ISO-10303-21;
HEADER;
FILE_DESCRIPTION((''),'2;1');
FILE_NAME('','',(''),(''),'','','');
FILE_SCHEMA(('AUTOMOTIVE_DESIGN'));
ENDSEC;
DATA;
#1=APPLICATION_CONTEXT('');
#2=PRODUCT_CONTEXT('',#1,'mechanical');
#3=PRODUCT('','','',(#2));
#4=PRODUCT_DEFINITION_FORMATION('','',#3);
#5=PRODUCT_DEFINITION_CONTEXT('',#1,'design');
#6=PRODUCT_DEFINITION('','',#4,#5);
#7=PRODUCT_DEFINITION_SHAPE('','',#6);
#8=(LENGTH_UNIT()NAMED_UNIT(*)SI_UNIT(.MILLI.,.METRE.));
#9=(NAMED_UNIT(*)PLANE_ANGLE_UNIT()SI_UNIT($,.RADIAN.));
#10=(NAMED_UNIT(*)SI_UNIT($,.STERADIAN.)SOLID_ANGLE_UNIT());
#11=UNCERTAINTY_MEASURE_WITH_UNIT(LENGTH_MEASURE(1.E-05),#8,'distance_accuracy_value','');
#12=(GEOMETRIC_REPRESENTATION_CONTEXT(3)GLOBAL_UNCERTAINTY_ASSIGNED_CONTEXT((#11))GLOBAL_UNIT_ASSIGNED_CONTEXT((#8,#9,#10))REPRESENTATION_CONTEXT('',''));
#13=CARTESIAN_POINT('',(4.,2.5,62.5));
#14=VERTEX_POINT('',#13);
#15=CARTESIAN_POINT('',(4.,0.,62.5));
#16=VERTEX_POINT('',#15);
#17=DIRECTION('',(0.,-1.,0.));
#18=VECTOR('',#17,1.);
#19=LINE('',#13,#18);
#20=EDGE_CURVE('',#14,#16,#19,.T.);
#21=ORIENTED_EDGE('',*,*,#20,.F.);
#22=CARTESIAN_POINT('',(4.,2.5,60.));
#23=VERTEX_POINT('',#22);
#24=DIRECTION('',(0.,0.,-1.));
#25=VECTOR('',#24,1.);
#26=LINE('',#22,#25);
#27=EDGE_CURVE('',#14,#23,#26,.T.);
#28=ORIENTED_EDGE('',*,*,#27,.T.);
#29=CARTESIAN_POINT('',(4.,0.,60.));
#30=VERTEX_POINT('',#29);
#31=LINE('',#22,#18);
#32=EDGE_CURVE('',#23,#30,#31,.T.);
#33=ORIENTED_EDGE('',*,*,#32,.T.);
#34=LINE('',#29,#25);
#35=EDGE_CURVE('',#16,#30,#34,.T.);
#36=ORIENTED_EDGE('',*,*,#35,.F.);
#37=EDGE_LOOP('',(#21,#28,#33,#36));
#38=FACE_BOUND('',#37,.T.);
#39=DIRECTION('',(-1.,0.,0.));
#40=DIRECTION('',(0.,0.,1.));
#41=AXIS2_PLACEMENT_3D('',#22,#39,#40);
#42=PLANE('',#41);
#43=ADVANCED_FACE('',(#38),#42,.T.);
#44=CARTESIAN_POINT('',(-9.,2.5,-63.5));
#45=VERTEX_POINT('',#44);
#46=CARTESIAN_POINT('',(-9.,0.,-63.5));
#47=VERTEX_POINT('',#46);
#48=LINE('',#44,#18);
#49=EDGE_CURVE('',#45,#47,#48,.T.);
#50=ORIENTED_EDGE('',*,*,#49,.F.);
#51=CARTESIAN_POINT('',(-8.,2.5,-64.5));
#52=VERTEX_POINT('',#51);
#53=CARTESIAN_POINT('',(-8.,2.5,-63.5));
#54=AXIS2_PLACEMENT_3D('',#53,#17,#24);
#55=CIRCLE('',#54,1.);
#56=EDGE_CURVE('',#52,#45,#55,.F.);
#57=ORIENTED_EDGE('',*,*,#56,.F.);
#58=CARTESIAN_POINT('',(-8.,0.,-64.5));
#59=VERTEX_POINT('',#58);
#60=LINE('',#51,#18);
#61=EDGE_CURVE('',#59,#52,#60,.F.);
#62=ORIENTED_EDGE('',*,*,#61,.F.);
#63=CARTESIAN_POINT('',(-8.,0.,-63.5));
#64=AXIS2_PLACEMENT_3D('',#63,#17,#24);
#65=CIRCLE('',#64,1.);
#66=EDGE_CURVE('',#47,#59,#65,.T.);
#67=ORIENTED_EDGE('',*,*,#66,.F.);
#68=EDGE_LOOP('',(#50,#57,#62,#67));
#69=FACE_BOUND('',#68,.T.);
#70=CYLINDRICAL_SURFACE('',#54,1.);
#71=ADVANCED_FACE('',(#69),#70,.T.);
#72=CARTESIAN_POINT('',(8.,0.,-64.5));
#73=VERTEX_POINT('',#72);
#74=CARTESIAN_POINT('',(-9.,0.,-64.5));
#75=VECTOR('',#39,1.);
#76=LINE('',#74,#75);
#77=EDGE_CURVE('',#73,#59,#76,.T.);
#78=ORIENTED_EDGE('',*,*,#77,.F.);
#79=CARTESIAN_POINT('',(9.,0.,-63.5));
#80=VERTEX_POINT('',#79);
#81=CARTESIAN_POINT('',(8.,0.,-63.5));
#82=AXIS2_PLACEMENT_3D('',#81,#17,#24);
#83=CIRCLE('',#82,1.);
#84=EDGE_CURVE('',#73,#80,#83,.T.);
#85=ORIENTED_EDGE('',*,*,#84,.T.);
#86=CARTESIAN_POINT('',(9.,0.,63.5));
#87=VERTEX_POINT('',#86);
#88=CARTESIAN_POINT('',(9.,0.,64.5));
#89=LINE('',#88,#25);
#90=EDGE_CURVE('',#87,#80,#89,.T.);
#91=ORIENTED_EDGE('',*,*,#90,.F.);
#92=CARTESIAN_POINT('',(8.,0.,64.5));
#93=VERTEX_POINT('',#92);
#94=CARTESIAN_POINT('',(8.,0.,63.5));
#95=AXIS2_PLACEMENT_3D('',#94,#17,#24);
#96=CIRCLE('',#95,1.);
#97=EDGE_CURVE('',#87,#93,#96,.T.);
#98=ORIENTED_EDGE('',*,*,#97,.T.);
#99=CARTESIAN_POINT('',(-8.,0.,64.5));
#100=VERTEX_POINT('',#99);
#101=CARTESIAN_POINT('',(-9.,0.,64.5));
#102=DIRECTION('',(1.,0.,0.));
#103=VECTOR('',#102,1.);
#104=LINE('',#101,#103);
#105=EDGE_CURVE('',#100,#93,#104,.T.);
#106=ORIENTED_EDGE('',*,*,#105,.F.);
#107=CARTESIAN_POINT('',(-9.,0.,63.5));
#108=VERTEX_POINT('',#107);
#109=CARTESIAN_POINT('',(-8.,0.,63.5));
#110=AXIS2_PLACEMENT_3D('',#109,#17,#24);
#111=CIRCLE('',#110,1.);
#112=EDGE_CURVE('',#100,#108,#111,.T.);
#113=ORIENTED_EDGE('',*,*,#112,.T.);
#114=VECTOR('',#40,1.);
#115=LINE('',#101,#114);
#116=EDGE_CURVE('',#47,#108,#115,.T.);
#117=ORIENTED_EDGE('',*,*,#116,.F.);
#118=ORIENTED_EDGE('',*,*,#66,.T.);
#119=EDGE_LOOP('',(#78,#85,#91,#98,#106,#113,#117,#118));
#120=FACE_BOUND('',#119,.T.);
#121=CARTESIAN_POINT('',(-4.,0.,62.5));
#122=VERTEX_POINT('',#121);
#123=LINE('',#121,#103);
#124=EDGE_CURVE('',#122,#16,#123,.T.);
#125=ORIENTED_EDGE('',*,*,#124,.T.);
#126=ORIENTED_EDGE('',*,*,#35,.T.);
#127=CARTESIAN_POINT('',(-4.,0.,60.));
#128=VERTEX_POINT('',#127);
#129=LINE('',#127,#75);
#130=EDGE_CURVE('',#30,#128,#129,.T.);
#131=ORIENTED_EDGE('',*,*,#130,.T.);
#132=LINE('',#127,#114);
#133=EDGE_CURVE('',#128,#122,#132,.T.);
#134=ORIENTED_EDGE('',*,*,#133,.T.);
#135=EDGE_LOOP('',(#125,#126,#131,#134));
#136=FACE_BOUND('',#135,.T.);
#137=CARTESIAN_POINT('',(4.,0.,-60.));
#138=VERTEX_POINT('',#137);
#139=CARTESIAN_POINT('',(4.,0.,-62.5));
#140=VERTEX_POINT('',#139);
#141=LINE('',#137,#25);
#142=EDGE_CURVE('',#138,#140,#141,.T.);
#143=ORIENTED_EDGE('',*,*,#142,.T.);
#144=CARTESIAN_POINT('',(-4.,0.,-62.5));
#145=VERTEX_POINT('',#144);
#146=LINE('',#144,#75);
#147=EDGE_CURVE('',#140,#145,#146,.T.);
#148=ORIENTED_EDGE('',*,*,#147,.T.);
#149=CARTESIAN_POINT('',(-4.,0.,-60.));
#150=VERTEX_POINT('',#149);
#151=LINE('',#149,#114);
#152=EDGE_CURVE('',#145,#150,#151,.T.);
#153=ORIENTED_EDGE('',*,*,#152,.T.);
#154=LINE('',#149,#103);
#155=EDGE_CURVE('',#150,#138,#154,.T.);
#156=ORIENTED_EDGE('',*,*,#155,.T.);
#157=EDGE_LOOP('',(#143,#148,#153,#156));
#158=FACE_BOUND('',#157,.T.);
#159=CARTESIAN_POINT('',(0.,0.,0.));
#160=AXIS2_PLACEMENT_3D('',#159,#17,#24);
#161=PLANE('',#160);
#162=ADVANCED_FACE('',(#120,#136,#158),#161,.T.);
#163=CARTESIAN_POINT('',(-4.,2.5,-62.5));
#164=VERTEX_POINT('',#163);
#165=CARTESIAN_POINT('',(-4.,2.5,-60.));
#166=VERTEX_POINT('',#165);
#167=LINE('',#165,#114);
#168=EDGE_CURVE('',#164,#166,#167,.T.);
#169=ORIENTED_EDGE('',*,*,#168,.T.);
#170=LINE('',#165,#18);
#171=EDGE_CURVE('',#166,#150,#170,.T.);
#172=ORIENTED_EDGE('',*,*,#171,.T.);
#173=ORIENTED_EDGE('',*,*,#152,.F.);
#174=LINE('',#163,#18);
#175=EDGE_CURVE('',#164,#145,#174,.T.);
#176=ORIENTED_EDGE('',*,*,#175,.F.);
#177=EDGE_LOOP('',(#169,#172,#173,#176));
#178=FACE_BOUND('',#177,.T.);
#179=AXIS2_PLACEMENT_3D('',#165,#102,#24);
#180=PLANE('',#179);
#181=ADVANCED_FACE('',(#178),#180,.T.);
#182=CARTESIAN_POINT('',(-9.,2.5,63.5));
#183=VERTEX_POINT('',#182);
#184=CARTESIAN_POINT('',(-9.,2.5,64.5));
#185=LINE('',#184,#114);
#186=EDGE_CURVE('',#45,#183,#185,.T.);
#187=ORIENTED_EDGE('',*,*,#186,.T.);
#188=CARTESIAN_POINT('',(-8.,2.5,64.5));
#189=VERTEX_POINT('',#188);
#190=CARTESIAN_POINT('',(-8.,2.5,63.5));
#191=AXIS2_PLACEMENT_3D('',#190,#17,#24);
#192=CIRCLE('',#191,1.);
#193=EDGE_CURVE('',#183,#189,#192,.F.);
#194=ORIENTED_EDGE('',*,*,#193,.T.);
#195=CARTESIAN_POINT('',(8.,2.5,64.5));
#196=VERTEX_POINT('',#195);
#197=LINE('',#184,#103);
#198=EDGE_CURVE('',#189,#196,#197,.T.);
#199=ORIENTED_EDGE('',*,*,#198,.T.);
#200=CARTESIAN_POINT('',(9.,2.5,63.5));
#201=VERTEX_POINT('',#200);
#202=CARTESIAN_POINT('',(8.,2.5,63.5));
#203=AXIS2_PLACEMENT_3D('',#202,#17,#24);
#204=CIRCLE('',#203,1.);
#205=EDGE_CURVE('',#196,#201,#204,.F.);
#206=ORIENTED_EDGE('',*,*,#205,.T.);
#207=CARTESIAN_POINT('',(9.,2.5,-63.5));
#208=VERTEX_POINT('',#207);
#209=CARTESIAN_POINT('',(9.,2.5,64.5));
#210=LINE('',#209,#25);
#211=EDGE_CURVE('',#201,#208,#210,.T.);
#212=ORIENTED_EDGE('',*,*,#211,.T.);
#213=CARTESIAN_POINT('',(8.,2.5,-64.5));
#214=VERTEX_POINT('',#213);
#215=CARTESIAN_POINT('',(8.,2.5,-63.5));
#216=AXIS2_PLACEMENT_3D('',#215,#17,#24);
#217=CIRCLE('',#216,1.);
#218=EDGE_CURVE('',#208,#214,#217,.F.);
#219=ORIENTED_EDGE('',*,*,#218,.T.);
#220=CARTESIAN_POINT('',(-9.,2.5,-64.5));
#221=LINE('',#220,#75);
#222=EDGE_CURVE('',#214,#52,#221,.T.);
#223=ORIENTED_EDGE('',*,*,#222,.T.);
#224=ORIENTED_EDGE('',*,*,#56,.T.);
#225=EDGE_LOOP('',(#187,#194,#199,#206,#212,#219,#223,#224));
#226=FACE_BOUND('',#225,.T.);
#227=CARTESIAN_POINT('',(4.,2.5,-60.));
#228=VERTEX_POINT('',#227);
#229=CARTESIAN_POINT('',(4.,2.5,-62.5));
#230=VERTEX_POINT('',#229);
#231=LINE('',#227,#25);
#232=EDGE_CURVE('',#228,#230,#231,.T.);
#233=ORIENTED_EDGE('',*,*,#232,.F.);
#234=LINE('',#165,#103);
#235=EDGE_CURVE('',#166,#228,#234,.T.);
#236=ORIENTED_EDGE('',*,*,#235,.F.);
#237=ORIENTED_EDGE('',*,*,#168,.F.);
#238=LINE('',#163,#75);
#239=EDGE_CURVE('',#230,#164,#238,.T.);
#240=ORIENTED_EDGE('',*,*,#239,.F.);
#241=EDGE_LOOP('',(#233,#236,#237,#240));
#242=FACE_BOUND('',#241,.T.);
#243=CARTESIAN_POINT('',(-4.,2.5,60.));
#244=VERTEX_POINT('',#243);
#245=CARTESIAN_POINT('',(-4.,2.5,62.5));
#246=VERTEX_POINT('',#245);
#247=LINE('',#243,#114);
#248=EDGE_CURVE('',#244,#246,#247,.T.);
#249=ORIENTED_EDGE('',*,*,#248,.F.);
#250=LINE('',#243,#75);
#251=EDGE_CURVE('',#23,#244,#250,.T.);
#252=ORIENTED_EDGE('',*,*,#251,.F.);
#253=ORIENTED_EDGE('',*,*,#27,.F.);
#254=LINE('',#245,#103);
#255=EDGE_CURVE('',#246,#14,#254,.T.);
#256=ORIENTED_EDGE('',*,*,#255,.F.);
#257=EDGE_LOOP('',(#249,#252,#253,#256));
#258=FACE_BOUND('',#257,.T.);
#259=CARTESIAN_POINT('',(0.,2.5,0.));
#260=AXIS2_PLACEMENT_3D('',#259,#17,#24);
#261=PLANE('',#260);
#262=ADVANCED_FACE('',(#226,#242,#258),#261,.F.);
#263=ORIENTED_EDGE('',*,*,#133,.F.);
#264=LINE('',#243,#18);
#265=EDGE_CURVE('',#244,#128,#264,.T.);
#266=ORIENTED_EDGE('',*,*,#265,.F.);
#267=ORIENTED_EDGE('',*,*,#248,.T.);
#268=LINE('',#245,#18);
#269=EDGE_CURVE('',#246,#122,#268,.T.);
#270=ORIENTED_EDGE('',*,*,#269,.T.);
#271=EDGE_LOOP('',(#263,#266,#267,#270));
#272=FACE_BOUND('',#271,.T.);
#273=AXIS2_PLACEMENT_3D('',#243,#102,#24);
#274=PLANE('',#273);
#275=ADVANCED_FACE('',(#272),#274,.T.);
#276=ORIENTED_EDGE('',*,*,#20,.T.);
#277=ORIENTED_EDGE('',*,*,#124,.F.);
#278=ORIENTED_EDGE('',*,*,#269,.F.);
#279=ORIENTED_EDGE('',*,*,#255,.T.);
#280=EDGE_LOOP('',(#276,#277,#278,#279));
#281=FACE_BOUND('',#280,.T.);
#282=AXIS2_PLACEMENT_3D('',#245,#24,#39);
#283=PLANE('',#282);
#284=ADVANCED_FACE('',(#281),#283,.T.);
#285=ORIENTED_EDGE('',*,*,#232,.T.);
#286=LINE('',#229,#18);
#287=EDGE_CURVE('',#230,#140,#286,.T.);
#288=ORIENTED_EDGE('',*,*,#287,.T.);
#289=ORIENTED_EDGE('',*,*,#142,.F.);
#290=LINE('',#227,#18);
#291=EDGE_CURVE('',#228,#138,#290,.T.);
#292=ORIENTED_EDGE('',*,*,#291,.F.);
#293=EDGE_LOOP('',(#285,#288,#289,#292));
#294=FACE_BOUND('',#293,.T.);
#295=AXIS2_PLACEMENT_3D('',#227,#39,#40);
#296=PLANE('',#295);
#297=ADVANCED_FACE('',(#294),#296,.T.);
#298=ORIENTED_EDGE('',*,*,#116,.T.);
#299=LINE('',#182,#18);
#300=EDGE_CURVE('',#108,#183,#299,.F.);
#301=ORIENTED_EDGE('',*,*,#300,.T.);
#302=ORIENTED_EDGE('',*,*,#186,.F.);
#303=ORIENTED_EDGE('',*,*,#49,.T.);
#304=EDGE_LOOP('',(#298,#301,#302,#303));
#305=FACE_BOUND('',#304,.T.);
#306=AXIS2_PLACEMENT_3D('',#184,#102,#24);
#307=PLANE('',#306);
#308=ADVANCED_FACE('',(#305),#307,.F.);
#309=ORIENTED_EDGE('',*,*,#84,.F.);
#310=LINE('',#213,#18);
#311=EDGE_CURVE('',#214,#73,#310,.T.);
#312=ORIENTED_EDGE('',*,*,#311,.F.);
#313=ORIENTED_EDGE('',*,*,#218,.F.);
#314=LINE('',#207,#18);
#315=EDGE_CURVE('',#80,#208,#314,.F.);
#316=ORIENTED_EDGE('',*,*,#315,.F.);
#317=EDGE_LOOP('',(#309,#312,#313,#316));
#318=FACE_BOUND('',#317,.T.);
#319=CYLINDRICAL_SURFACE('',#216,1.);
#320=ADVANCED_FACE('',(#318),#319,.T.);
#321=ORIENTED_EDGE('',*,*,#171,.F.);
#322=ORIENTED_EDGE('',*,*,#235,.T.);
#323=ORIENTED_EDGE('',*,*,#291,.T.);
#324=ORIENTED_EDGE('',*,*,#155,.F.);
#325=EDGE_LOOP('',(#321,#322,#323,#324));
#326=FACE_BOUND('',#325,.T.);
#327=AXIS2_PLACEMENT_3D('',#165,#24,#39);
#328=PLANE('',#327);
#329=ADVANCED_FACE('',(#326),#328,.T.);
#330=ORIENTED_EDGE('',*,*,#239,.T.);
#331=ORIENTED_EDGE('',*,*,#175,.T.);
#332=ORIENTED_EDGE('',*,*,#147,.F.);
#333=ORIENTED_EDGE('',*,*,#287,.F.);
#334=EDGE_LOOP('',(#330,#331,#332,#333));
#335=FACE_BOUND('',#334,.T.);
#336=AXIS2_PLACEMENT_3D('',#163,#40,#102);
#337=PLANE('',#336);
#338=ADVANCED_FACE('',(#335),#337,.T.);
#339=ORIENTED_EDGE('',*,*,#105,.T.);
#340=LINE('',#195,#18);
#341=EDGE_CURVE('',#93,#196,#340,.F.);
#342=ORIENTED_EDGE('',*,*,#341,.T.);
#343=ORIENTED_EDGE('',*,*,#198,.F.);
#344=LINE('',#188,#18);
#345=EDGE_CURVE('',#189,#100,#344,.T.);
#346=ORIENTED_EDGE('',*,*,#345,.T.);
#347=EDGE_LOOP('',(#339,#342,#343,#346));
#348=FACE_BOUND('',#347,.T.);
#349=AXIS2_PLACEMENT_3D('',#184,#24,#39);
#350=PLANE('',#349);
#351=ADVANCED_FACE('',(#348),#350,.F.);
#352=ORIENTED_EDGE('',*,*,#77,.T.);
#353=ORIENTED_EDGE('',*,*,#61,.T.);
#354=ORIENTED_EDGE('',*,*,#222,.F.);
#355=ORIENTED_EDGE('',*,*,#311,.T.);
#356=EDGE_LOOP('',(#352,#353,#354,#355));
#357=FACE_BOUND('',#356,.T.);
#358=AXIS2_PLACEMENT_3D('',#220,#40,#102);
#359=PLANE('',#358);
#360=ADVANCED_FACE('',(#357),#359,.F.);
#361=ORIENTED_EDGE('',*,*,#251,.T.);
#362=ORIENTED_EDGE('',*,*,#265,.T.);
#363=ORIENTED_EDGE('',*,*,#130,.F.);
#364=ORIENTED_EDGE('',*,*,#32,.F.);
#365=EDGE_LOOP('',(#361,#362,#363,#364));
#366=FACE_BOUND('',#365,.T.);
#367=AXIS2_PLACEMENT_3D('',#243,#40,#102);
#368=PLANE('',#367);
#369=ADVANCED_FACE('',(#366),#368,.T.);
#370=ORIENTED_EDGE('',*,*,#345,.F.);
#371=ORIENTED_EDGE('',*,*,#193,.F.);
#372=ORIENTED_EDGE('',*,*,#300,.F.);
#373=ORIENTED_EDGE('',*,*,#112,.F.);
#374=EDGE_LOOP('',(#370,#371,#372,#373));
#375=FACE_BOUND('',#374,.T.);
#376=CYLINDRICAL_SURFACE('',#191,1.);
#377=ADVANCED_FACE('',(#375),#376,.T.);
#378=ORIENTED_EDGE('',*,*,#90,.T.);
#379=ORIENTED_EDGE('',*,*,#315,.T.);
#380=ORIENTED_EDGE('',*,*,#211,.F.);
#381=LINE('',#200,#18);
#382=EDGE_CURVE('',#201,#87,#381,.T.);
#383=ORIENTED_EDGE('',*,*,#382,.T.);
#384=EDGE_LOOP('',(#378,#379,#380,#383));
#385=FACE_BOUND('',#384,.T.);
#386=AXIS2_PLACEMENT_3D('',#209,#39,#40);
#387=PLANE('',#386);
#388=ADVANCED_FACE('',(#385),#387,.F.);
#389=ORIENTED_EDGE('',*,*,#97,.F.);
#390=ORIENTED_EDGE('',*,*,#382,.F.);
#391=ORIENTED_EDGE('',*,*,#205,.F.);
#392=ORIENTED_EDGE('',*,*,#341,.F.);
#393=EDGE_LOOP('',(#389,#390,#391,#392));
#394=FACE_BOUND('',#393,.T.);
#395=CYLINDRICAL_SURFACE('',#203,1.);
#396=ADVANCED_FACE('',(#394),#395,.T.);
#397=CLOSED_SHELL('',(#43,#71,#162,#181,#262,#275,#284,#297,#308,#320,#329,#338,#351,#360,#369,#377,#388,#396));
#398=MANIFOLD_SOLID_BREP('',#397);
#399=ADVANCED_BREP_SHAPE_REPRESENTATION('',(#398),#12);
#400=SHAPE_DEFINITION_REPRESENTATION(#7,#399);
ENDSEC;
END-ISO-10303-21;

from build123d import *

# Parameters (mm, degrees)
SKETCH1_W           = 18
SKETCH1_H           = 129
SKETCH1_W_2         = 8
SKETCH1_H_2         = 2.5
BOSS_EXTRUDE1_DEPTH = 2.5
FILLET1_R           = 1


with BuildPart() as part:
    # Sketch1 → Boss-Extrude1 (new body)
    with BuildSketch(Plane(origin=(0, 0, 0), x_dir=(1, 0, 0), z_dir=(0, 1, 0))):
        Rectangle(SKETCH1_W, SKETCH1_H)
        with Locations((0, 61.25)):
            Rectangle(SKETCH1_W_2, SKETCH1_H_2, mode=Mode.SUBTRACT)
        with Locations((0, -61.25)):
            Rectangle(SKETCH1_W_2, SKETCH1_H_2, mode=Mode.SUBTRACT)
    extrude(amount=BOSS_EXTRUDE1_DEPTH)

    # Fillet1
    fillet1_edges = [part.edges().sort_by_distance(p)[0] for p in [
        (9, 1.25, 64.5),
        (-9, 1.25, 64.5),
        (-9, 1.25, -64.5),
        (9, 1.25, -64.5),
    ]]
    fillet(fillet1_edges, radius=FILLET1_R)


solid = part.part
